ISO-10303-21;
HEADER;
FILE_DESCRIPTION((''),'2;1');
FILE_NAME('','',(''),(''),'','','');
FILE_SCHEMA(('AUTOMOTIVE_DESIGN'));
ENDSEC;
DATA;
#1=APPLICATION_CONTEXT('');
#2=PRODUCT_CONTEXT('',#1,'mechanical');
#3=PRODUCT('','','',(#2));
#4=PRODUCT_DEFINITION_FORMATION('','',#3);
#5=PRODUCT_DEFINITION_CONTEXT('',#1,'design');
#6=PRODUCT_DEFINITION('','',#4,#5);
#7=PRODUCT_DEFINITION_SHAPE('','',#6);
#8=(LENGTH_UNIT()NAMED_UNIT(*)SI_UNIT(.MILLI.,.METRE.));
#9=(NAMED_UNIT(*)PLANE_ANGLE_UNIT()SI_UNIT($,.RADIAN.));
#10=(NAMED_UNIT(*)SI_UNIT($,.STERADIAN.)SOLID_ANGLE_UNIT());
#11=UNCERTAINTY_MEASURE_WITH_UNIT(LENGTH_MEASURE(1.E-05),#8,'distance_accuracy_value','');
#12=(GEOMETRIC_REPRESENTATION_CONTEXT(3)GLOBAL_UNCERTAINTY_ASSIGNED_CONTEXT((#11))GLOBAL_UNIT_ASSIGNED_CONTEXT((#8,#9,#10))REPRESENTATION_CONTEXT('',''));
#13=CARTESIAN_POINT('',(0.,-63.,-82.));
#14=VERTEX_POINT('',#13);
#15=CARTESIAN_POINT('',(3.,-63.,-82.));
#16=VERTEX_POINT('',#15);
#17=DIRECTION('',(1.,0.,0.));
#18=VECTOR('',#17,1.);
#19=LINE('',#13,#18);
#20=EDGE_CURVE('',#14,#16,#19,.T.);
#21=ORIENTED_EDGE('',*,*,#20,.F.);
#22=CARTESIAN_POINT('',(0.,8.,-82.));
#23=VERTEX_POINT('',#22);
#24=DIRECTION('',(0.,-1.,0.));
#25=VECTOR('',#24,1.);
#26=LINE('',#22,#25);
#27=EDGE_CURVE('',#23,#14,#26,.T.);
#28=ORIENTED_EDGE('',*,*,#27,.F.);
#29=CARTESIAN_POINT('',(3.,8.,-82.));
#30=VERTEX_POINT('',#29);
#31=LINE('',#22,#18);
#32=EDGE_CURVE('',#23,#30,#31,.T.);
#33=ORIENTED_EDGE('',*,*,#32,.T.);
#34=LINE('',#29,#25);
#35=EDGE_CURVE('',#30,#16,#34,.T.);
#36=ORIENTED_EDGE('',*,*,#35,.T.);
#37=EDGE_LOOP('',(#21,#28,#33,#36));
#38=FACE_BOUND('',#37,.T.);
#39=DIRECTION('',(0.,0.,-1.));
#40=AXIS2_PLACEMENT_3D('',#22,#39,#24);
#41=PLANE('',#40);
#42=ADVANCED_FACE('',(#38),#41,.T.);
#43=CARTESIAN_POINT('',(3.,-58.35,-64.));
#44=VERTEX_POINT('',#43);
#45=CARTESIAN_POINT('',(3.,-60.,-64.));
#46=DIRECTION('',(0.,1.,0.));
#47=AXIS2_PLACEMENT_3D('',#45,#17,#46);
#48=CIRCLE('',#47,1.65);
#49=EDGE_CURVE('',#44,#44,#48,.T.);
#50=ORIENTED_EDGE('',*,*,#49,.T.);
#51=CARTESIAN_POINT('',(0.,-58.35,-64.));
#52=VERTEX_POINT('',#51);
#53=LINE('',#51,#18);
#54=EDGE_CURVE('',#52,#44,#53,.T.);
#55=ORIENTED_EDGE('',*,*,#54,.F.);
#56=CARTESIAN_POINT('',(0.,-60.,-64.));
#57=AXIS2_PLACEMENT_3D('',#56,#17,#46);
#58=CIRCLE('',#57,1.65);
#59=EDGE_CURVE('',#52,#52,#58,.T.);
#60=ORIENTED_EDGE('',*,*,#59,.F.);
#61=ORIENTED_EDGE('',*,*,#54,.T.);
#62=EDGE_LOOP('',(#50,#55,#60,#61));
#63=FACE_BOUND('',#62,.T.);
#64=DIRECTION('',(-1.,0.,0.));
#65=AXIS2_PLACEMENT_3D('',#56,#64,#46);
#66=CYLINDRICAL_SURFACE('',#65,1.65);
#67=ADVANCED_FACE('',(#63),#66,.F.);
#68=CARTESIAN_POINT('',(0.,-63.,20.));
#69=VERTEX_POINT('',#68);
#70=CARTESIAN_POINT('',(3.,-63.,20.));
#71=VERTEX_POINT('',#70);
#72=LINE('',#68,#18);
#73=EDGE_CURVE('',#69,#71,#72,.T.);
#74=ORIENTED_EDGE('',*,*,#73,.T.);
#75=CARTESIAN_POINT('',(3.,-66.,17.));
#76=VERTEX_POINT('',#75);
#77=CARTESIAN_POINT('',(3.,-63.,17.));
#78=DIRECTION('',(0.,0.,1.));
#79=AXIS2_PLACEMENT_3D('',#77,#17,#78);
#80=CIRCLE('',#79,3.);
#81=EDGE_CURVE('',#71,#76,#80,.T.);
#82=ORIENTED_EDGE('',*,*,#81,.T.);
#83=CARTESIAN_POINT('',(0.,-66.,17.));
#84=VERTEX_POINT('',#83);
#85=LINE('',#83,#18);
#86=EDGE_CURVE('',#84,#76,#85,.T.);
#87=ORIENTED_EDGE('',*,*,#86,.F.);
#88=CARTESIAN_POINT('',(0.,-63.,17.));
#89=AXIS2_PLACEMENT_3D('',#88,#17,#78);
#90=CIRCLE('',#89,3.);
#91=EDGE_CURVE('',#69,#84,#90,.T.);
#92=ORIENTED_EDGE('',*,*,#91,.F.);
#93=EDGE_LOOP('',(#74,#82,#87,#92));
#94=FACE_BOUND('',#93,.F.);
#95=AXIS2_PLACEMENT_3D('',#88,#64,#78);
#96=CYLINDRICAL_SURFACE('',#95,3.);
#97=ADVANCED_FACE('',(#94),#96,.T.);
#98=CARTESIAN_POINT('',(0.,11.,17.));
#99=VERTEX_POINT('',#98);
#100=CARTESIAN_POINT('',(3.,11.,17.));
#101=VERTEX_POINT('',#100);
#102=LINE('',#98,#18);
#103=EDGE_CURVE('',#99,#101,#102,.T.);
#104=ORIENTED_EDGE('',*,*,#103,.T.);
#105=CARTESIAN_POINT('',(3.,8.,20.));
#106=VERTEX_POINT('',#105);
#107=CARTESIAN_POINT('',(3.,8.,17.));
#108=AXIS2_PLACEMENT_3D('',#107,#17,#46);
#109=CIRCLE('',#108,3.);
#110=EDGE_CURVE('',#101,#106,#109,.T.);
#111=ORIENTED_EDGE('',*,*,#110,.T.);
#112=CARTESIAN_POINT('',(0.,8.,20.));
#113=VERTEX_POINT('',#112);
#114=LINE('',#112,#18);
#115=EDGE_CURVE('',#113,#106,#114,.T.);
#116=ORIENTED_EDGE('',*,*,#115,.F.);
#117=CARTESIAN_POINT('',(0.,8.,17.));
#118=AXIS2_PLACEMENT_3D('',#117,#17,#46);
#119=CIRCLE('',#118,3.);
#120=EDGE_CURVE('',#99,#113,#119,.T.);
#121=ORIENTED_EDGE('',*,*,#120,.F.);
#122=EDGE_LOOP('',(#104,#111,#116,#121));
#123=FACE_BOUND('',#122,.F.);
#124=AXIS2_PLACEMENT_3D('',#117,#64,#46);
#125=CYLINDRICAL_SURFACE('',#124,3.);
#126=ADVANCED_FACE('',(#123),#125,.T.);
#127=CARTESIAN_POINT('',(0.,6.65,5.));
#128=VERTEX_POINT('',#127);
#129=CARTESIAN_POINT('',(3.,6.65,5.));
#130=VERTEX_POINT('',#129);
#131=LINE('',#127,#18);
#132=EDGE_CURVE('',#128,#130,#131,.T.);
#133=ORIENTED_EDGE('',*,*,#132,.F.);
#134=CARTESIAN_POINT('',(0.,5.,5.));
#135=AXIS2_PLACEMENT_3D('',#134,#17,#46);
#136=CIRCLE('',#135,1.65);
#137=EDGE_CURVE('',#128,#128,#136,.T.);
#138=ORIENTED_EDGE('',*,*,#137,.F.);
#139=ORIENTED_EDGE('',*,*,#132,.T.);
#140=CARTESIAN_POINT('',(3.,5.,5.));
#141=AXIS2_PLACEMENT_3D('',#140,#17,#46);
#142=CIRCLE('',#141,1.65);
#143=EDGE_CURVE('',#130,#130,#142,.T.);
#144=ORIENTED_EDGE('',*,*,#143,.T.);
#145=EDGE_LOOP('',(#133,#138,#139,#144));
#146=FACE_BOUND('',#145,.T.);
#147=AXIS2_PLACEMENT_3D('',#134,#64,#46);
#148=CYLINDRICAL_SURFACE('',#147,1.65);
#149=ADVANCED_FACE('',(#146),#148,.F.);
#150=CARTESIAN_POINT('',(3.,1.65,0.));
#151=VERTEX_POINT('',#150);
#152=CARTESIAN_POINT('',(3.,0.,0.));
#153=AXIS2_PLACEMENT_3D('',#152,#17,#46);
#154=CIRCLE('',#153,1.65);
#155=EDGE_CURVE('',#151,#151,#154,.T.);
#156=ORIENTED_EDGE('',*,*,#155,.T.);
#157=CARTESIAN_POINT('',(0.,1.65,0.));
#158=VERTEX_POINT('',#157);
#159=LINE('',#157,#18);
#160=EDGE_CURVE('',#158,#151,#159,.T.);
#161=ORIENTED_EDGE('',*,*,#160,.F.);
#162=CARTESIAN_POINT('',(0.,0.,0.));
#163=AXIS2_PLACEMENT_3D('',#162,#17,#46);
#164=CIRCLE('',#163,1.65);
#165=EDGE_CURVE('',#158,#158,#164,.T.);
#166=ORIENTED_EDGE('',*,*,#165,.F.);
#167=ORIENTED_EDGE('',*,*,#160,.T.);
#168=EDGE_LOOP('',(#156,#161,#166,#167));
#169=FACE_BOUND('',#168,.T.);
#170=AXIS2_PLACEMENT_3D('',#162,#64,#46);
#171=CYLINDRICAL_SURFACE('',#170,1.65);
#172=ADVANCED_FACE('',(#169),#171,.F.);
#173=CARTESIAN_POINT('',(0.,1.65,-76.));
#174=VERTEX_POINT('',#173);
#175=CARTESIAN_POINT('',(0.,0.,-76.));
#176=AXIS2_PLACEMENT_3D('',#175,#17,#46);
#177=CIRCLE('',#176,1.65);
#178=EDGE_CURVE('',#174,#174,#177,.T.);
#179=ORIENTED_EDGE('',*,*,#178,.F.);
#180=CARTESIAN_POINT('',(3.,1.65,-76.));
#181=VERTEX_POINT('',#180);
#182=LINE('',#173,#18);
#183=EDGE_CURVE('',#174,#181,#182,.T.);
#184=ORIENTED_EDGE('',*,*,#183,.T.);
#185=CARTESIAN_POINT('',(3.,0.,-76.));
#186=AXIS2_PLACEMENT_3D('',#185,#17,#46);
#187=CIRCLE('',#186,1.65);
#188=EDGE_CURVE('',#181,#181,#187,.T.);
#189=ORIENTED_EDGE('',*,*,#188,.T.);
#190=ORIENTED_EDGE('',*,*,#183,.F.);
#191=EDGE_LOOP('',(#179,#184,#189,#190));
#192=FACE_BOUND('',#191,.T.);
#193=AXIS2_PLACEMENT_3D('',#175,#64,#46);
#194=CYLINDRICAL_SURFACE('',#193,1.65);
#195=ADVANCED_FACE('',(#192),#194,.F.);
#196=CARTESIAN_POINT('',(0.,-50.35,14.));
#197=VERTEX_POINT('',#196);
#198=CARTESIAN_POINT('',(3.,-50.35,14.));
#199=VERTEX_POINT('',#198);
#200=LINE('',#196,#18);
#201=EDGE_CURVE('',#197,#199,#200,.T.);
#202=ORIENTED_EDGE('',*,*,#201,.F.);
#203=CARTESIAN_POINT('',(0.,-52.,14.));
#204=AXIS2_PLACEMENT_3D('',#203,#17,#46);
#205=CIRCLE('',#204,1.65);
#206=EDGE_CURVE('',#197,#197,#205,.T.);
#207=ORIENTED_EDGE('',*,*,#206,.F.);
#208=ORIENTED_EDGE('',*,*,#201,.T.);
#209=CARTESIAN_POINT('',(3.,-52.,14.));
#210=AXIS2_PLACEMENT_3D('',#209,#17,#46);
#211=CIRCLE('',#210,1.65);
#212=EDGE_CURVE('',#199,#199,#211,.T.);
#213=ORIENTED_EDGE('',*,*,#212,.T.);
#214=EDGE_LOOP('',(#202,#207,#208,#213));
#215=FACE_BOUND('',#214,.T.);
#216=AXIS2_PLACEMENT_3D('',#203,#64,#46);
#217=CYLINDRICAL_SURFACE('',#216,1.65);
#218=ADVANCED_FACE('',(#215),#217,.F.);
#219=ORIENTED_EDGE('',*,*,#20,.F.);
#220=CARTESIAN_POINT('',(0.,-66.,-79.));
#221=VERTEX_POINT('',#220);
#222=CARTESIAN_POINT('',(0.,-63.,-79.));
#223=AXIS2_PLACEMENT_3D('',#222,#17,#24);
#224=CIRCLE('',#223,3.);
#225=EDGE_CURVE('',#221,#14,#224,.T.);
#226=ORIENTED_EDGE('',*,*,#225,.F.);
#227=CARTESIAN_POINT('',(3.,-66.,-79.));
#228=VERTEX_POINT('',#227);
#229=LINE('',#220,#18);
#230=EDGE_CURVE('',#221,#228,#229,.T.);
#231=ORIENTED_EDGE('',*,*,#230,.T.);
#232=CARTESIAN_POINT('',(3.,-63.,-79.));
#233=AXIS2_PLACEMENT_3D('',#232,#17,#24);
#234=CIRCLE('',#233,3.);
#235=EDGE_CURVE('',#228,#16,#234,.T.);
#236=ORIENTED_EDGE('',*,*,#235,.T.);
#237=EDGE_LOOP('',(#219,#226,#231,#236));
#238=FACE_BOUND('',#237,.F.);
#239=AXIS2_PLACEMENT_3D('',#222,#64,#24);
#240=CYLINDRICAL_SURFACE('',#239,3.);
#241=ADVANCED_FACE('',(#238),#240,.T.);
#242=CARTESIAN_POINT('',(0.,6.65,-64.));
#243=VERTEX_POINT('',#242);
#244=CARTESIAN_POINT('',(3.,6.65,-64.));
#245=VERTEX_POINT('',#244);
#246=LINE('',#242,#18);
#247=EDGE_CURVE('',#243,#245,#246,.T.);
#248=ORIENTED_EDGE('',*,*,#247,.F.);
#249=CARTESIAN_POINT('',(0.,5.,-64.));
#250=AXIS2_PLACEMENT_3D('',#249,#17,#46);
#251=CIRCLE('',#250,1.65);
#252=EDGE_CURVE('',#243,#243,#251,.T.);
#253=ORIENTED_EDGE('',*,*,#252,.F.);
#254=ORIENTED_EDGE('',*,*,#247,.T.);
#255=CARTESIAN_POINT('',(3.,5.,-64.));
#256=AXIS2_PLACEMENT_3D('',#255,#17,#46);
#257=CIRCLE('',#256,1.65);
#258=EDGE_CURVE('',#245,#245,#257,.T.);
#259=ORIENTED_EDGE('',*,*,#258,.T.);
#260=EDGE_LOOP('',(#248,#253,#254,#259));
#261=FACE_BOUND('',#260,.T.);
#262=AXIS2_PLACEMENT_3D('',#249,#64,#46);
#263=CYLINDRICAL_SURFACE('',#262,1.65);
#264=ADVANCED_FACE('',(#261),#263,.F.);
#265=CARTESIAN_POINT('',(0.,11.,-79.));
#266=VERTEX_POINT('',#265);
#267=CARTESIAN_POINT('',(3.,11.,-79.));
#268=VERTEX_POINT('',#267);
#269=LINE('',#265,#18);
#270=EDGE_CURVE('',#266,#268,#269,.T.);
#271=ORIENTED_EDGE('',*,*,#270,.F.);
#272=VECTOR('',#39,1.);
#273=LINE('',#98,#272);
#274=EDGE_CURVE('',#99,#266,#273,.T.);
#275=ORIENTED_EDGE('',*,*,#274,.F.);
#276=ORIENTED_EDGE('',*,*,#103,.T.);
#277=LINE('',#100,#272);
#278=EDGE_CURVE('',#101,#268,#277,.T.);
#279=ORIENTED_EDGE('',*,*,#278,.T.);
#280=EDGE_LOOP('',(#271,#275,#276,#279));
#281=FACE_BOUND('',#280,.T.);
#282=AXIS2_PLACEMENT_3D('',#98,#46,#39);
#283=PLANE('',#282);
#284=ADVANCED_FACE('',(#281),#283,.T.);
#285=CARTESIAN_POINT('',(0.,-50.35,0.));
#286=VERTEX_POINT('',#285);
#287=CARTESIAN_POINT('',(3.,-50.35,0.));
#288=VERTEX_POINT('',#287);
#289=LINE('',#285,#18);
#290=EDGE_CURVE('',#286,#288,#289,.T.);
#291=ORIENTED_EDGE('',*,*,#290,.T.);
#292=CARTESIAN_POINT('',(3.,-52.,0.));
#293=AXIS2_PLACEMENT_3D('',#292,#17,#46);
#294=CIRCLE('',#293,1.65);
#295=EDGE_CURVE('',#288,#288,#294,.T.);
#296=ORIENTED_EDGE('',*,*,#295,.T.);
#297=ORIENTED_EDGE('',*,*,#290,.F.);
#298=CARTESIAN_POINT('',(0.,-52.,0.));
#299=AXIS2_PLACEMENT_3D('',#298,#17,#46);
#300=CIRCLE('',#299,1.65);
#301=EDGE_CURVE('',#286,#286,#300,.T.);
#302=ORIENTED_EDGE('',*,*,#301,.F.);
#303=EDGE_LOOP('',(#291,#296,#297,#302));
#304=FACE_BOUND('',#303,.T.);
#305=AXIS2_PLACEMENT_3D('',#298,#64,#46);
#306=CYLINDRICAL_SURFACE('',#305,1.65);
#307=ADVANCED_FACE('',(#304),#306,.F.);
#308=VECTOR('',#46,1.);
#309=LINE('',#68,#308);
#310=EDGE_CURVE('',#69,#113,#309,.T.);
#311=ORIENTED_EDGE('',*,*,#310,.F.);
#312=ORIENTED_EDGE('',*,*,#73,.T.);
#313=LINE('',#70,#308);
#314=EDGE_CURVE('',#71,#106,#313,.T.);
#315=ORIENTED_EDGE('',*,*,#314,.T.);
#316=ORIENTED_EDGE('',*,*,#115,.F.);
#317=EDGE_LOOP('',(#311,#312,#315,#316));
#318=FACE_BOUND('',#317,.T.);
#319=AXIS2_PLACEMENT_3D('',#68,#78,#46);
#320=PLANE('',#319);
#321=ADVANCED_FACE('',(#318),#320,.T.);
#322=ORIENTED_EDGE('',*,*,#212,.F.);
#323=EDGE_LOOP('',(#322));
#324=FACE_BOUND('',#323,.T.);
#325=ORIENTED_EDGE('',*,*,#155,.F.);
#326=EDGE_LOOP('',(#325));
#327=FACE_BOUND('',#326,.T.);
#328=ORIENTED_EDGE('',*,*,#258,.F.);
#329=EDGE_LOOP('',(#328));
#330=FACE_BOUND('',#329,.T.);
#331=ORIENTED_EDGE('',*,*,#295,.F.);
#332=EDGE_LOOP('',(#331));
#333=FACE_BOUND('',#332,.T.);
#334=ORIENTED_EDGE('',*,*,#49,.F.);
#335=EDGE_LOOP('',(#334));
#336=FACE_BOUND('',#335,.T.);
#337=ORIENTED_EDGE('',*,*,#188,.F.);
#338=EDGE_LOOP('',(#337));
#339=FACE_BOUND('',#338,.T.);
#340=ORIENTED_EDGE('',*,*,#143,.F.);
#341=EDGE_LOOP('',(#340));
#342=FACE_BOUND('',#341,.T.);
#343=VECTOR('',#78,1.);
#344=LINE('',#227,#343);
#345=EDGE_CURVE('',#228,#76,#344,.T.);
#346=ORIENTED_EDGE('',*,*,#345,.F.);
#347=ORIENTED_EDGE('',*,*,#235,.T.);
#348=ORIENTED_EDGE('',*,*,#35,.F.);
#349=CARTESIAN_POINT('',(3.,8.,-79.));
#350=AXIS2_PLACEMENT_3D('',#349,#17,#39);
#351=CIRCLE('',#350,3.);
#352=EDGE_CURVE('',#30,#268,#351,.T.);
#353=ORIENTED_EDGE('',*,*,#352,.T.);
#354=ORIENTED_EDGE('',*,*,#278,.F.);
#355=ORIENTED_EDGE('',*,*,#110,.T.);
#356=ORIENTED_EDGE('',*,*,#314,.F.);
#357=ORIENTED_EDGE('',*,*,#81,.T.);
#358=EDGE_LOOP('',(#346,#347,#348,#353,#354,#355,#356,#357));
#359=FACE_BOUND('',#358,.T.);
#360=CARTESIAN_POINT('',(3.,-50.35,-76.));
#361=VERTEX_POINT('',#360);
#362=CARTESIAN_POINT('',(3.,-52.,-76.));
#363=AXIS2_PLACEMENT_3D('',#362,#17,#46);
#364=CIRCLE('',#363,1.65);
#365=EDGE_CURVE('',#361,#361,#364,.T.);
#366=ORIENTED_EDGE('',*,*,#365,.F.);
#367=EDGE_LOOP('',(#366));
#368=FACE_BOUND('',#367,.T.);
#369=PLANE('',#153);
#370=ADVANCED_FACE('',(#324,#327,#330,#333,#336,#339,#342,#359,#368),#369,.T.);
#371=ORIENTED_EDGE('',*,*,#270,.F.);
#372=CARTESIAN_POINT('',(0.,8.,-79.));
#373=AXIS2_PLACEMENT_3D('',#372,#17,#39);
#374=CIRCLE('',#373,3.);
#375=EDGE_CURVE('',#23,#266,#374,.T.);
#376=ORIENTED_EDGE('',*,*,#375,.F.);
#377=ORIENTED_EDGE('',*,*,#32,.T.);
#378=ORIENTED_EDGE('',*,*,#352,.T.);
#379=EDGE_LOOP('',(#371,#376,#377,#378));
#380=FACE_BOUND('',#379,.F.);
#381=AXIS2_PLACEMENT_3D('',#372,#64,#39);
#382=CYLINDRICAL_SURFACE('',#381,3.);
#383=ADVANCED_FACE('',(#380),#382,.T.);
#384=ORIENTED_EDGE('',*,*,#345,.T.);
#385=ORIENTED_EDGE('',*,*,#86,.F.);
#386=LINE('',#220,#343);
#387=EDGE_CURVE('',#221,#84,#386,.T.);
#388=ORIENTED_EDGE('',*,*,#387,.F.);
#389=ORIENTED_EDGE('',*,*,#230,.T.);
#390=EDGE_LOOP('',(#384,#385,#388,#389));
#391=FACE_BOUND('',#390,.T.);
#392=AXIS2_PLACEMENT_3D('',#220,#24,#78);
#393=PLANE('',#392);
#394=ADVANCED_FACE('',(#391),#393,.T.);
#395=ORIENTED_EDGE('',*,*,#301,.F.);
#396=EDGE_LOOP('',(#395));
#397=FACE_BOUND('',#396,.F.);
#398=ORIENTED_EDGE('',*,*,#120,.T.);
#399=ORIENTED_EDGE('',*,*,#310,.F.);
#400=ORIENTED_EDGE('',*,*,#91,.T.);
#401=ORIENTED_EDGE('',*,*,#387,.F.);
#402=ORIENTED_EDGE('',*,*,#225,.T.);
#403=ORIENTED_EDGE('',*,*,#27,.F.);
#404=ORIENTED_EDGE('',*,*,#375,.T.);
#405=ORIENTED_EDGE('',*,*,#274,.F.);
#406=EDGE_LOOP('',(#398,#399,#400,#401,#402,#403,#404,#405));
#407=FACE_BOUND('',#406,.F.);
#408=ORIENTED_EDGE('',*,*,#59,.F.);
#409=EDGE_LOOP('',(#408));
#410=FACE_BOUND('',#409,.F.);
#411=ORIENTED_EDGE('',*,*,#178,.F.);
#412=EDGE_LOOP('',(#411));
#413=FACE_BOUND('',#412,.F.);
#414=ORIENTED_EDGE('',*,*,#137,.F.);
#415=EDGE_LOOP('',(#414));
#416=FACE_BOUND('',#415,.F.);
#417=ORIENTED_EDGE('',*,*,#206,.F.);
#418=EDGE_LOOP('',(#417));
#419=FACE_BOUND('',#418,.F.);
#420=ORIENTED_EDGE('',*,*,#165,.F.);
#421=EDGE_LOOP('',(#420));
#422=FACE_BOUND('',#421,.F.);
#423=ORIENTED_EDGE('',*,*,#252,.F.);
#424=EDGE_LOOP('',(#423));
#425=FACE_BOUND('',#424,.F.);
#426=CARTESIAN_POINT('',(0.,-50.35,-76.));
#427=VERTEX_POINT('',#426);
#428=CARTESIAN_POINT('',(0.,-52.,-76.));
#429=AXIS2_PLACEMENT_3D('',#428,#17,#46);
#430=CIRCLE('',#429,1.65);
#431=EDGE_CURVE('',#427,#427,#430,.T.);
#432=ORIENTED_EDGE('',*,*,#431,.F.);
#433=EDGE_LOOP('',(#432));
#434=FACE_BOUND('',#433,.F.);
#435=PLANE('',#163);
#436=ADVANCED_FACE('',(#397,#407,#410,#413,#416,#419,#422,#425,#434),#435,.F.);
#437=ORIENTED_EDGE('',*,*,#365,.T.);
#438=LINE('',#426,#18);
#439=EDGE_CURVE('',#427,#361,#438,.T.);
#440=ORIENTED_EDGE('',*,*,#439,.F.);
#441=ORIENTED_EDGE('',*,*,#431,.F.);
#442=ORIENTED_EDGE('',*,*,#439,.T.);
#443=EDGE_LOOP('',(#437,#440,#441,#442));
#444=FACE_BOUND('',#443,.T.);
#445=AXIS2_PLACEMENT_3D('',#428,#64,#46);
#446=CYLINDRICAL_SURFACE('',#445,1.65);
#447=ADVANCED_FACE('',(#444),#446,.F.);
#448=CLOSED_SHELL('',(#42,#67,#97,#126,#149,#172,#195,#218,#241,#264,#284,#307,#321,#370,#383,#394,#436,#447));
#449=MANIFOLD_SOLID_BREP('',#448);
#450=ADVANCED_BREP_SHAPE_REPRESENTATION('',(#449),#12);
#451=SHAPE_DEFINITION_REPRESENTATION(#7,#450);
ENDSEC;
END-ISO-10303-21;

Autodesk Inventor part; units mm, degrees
ref_plane "YZ Plane" through (0, 0, 0) normal (1, 0, 0) x (0, 1, 0)
ref_plane "XZ Plane" through (0, 0, 0) normal (0, 1, 0) x (-1, 0, 0)
ref_plane "XY Plane" through (0, 0, 0) normal (0, 0, 1) x (1, 0, 0)
sketch "Эскиз1" plane through (0, 0, 0) normal (1, 0, 0) x (0, 1, 0)
  circle A0 centre (0, 0) radius 1.65
  circle A1 centre (5, 5) radius 1.65
  circle A2 centre (5, -64) radius 1.65
  circle A3 centre (0, -76) radius 1.65
  circle A4 centre (-52, 14) radius 1.65
  circle A5 centre (-52, 0) radius 1.65
  circle A6 centre (-52, -76) radius 1.65
  circle A7 centre (-60, -64) radius 1.65
  line L0 (-63, 20) -> (8, 20)
  line L1 (11, 17) -> (11, -79)
  line L2 (8, -82) -> (-63, -82)
  line L3 (-66, -79) -> (-66, 17)
  arc A8 (11, 17) -> (8, 20) centre (8, 17) ccw
  arc A9 (8, -82) -> (11, -79) centre (8, -79) ccw
  arc A10 (-66, -79) -> (-63, -82) centre (-63, -79) ccw
  arc A11 (-63, 20) -> (-66, 17) centre (-63, 17) ccw
  dimension "d4" = 3.3
  dimension "d5" = 3.3
  dimension "d7" = 3.3
  dimension "d8" = 3.3
  dimension "d12" = 3.3
  dimension "d13" = 3.3
  dimension "d14" = 3.3
  dimension "d15" = 3.3
  dimension "d20" = 3
extrude "Выдавливание1" add sketch "Эскиз1" along normal blind 3
properties part number "adapter_arduino_to_power"
